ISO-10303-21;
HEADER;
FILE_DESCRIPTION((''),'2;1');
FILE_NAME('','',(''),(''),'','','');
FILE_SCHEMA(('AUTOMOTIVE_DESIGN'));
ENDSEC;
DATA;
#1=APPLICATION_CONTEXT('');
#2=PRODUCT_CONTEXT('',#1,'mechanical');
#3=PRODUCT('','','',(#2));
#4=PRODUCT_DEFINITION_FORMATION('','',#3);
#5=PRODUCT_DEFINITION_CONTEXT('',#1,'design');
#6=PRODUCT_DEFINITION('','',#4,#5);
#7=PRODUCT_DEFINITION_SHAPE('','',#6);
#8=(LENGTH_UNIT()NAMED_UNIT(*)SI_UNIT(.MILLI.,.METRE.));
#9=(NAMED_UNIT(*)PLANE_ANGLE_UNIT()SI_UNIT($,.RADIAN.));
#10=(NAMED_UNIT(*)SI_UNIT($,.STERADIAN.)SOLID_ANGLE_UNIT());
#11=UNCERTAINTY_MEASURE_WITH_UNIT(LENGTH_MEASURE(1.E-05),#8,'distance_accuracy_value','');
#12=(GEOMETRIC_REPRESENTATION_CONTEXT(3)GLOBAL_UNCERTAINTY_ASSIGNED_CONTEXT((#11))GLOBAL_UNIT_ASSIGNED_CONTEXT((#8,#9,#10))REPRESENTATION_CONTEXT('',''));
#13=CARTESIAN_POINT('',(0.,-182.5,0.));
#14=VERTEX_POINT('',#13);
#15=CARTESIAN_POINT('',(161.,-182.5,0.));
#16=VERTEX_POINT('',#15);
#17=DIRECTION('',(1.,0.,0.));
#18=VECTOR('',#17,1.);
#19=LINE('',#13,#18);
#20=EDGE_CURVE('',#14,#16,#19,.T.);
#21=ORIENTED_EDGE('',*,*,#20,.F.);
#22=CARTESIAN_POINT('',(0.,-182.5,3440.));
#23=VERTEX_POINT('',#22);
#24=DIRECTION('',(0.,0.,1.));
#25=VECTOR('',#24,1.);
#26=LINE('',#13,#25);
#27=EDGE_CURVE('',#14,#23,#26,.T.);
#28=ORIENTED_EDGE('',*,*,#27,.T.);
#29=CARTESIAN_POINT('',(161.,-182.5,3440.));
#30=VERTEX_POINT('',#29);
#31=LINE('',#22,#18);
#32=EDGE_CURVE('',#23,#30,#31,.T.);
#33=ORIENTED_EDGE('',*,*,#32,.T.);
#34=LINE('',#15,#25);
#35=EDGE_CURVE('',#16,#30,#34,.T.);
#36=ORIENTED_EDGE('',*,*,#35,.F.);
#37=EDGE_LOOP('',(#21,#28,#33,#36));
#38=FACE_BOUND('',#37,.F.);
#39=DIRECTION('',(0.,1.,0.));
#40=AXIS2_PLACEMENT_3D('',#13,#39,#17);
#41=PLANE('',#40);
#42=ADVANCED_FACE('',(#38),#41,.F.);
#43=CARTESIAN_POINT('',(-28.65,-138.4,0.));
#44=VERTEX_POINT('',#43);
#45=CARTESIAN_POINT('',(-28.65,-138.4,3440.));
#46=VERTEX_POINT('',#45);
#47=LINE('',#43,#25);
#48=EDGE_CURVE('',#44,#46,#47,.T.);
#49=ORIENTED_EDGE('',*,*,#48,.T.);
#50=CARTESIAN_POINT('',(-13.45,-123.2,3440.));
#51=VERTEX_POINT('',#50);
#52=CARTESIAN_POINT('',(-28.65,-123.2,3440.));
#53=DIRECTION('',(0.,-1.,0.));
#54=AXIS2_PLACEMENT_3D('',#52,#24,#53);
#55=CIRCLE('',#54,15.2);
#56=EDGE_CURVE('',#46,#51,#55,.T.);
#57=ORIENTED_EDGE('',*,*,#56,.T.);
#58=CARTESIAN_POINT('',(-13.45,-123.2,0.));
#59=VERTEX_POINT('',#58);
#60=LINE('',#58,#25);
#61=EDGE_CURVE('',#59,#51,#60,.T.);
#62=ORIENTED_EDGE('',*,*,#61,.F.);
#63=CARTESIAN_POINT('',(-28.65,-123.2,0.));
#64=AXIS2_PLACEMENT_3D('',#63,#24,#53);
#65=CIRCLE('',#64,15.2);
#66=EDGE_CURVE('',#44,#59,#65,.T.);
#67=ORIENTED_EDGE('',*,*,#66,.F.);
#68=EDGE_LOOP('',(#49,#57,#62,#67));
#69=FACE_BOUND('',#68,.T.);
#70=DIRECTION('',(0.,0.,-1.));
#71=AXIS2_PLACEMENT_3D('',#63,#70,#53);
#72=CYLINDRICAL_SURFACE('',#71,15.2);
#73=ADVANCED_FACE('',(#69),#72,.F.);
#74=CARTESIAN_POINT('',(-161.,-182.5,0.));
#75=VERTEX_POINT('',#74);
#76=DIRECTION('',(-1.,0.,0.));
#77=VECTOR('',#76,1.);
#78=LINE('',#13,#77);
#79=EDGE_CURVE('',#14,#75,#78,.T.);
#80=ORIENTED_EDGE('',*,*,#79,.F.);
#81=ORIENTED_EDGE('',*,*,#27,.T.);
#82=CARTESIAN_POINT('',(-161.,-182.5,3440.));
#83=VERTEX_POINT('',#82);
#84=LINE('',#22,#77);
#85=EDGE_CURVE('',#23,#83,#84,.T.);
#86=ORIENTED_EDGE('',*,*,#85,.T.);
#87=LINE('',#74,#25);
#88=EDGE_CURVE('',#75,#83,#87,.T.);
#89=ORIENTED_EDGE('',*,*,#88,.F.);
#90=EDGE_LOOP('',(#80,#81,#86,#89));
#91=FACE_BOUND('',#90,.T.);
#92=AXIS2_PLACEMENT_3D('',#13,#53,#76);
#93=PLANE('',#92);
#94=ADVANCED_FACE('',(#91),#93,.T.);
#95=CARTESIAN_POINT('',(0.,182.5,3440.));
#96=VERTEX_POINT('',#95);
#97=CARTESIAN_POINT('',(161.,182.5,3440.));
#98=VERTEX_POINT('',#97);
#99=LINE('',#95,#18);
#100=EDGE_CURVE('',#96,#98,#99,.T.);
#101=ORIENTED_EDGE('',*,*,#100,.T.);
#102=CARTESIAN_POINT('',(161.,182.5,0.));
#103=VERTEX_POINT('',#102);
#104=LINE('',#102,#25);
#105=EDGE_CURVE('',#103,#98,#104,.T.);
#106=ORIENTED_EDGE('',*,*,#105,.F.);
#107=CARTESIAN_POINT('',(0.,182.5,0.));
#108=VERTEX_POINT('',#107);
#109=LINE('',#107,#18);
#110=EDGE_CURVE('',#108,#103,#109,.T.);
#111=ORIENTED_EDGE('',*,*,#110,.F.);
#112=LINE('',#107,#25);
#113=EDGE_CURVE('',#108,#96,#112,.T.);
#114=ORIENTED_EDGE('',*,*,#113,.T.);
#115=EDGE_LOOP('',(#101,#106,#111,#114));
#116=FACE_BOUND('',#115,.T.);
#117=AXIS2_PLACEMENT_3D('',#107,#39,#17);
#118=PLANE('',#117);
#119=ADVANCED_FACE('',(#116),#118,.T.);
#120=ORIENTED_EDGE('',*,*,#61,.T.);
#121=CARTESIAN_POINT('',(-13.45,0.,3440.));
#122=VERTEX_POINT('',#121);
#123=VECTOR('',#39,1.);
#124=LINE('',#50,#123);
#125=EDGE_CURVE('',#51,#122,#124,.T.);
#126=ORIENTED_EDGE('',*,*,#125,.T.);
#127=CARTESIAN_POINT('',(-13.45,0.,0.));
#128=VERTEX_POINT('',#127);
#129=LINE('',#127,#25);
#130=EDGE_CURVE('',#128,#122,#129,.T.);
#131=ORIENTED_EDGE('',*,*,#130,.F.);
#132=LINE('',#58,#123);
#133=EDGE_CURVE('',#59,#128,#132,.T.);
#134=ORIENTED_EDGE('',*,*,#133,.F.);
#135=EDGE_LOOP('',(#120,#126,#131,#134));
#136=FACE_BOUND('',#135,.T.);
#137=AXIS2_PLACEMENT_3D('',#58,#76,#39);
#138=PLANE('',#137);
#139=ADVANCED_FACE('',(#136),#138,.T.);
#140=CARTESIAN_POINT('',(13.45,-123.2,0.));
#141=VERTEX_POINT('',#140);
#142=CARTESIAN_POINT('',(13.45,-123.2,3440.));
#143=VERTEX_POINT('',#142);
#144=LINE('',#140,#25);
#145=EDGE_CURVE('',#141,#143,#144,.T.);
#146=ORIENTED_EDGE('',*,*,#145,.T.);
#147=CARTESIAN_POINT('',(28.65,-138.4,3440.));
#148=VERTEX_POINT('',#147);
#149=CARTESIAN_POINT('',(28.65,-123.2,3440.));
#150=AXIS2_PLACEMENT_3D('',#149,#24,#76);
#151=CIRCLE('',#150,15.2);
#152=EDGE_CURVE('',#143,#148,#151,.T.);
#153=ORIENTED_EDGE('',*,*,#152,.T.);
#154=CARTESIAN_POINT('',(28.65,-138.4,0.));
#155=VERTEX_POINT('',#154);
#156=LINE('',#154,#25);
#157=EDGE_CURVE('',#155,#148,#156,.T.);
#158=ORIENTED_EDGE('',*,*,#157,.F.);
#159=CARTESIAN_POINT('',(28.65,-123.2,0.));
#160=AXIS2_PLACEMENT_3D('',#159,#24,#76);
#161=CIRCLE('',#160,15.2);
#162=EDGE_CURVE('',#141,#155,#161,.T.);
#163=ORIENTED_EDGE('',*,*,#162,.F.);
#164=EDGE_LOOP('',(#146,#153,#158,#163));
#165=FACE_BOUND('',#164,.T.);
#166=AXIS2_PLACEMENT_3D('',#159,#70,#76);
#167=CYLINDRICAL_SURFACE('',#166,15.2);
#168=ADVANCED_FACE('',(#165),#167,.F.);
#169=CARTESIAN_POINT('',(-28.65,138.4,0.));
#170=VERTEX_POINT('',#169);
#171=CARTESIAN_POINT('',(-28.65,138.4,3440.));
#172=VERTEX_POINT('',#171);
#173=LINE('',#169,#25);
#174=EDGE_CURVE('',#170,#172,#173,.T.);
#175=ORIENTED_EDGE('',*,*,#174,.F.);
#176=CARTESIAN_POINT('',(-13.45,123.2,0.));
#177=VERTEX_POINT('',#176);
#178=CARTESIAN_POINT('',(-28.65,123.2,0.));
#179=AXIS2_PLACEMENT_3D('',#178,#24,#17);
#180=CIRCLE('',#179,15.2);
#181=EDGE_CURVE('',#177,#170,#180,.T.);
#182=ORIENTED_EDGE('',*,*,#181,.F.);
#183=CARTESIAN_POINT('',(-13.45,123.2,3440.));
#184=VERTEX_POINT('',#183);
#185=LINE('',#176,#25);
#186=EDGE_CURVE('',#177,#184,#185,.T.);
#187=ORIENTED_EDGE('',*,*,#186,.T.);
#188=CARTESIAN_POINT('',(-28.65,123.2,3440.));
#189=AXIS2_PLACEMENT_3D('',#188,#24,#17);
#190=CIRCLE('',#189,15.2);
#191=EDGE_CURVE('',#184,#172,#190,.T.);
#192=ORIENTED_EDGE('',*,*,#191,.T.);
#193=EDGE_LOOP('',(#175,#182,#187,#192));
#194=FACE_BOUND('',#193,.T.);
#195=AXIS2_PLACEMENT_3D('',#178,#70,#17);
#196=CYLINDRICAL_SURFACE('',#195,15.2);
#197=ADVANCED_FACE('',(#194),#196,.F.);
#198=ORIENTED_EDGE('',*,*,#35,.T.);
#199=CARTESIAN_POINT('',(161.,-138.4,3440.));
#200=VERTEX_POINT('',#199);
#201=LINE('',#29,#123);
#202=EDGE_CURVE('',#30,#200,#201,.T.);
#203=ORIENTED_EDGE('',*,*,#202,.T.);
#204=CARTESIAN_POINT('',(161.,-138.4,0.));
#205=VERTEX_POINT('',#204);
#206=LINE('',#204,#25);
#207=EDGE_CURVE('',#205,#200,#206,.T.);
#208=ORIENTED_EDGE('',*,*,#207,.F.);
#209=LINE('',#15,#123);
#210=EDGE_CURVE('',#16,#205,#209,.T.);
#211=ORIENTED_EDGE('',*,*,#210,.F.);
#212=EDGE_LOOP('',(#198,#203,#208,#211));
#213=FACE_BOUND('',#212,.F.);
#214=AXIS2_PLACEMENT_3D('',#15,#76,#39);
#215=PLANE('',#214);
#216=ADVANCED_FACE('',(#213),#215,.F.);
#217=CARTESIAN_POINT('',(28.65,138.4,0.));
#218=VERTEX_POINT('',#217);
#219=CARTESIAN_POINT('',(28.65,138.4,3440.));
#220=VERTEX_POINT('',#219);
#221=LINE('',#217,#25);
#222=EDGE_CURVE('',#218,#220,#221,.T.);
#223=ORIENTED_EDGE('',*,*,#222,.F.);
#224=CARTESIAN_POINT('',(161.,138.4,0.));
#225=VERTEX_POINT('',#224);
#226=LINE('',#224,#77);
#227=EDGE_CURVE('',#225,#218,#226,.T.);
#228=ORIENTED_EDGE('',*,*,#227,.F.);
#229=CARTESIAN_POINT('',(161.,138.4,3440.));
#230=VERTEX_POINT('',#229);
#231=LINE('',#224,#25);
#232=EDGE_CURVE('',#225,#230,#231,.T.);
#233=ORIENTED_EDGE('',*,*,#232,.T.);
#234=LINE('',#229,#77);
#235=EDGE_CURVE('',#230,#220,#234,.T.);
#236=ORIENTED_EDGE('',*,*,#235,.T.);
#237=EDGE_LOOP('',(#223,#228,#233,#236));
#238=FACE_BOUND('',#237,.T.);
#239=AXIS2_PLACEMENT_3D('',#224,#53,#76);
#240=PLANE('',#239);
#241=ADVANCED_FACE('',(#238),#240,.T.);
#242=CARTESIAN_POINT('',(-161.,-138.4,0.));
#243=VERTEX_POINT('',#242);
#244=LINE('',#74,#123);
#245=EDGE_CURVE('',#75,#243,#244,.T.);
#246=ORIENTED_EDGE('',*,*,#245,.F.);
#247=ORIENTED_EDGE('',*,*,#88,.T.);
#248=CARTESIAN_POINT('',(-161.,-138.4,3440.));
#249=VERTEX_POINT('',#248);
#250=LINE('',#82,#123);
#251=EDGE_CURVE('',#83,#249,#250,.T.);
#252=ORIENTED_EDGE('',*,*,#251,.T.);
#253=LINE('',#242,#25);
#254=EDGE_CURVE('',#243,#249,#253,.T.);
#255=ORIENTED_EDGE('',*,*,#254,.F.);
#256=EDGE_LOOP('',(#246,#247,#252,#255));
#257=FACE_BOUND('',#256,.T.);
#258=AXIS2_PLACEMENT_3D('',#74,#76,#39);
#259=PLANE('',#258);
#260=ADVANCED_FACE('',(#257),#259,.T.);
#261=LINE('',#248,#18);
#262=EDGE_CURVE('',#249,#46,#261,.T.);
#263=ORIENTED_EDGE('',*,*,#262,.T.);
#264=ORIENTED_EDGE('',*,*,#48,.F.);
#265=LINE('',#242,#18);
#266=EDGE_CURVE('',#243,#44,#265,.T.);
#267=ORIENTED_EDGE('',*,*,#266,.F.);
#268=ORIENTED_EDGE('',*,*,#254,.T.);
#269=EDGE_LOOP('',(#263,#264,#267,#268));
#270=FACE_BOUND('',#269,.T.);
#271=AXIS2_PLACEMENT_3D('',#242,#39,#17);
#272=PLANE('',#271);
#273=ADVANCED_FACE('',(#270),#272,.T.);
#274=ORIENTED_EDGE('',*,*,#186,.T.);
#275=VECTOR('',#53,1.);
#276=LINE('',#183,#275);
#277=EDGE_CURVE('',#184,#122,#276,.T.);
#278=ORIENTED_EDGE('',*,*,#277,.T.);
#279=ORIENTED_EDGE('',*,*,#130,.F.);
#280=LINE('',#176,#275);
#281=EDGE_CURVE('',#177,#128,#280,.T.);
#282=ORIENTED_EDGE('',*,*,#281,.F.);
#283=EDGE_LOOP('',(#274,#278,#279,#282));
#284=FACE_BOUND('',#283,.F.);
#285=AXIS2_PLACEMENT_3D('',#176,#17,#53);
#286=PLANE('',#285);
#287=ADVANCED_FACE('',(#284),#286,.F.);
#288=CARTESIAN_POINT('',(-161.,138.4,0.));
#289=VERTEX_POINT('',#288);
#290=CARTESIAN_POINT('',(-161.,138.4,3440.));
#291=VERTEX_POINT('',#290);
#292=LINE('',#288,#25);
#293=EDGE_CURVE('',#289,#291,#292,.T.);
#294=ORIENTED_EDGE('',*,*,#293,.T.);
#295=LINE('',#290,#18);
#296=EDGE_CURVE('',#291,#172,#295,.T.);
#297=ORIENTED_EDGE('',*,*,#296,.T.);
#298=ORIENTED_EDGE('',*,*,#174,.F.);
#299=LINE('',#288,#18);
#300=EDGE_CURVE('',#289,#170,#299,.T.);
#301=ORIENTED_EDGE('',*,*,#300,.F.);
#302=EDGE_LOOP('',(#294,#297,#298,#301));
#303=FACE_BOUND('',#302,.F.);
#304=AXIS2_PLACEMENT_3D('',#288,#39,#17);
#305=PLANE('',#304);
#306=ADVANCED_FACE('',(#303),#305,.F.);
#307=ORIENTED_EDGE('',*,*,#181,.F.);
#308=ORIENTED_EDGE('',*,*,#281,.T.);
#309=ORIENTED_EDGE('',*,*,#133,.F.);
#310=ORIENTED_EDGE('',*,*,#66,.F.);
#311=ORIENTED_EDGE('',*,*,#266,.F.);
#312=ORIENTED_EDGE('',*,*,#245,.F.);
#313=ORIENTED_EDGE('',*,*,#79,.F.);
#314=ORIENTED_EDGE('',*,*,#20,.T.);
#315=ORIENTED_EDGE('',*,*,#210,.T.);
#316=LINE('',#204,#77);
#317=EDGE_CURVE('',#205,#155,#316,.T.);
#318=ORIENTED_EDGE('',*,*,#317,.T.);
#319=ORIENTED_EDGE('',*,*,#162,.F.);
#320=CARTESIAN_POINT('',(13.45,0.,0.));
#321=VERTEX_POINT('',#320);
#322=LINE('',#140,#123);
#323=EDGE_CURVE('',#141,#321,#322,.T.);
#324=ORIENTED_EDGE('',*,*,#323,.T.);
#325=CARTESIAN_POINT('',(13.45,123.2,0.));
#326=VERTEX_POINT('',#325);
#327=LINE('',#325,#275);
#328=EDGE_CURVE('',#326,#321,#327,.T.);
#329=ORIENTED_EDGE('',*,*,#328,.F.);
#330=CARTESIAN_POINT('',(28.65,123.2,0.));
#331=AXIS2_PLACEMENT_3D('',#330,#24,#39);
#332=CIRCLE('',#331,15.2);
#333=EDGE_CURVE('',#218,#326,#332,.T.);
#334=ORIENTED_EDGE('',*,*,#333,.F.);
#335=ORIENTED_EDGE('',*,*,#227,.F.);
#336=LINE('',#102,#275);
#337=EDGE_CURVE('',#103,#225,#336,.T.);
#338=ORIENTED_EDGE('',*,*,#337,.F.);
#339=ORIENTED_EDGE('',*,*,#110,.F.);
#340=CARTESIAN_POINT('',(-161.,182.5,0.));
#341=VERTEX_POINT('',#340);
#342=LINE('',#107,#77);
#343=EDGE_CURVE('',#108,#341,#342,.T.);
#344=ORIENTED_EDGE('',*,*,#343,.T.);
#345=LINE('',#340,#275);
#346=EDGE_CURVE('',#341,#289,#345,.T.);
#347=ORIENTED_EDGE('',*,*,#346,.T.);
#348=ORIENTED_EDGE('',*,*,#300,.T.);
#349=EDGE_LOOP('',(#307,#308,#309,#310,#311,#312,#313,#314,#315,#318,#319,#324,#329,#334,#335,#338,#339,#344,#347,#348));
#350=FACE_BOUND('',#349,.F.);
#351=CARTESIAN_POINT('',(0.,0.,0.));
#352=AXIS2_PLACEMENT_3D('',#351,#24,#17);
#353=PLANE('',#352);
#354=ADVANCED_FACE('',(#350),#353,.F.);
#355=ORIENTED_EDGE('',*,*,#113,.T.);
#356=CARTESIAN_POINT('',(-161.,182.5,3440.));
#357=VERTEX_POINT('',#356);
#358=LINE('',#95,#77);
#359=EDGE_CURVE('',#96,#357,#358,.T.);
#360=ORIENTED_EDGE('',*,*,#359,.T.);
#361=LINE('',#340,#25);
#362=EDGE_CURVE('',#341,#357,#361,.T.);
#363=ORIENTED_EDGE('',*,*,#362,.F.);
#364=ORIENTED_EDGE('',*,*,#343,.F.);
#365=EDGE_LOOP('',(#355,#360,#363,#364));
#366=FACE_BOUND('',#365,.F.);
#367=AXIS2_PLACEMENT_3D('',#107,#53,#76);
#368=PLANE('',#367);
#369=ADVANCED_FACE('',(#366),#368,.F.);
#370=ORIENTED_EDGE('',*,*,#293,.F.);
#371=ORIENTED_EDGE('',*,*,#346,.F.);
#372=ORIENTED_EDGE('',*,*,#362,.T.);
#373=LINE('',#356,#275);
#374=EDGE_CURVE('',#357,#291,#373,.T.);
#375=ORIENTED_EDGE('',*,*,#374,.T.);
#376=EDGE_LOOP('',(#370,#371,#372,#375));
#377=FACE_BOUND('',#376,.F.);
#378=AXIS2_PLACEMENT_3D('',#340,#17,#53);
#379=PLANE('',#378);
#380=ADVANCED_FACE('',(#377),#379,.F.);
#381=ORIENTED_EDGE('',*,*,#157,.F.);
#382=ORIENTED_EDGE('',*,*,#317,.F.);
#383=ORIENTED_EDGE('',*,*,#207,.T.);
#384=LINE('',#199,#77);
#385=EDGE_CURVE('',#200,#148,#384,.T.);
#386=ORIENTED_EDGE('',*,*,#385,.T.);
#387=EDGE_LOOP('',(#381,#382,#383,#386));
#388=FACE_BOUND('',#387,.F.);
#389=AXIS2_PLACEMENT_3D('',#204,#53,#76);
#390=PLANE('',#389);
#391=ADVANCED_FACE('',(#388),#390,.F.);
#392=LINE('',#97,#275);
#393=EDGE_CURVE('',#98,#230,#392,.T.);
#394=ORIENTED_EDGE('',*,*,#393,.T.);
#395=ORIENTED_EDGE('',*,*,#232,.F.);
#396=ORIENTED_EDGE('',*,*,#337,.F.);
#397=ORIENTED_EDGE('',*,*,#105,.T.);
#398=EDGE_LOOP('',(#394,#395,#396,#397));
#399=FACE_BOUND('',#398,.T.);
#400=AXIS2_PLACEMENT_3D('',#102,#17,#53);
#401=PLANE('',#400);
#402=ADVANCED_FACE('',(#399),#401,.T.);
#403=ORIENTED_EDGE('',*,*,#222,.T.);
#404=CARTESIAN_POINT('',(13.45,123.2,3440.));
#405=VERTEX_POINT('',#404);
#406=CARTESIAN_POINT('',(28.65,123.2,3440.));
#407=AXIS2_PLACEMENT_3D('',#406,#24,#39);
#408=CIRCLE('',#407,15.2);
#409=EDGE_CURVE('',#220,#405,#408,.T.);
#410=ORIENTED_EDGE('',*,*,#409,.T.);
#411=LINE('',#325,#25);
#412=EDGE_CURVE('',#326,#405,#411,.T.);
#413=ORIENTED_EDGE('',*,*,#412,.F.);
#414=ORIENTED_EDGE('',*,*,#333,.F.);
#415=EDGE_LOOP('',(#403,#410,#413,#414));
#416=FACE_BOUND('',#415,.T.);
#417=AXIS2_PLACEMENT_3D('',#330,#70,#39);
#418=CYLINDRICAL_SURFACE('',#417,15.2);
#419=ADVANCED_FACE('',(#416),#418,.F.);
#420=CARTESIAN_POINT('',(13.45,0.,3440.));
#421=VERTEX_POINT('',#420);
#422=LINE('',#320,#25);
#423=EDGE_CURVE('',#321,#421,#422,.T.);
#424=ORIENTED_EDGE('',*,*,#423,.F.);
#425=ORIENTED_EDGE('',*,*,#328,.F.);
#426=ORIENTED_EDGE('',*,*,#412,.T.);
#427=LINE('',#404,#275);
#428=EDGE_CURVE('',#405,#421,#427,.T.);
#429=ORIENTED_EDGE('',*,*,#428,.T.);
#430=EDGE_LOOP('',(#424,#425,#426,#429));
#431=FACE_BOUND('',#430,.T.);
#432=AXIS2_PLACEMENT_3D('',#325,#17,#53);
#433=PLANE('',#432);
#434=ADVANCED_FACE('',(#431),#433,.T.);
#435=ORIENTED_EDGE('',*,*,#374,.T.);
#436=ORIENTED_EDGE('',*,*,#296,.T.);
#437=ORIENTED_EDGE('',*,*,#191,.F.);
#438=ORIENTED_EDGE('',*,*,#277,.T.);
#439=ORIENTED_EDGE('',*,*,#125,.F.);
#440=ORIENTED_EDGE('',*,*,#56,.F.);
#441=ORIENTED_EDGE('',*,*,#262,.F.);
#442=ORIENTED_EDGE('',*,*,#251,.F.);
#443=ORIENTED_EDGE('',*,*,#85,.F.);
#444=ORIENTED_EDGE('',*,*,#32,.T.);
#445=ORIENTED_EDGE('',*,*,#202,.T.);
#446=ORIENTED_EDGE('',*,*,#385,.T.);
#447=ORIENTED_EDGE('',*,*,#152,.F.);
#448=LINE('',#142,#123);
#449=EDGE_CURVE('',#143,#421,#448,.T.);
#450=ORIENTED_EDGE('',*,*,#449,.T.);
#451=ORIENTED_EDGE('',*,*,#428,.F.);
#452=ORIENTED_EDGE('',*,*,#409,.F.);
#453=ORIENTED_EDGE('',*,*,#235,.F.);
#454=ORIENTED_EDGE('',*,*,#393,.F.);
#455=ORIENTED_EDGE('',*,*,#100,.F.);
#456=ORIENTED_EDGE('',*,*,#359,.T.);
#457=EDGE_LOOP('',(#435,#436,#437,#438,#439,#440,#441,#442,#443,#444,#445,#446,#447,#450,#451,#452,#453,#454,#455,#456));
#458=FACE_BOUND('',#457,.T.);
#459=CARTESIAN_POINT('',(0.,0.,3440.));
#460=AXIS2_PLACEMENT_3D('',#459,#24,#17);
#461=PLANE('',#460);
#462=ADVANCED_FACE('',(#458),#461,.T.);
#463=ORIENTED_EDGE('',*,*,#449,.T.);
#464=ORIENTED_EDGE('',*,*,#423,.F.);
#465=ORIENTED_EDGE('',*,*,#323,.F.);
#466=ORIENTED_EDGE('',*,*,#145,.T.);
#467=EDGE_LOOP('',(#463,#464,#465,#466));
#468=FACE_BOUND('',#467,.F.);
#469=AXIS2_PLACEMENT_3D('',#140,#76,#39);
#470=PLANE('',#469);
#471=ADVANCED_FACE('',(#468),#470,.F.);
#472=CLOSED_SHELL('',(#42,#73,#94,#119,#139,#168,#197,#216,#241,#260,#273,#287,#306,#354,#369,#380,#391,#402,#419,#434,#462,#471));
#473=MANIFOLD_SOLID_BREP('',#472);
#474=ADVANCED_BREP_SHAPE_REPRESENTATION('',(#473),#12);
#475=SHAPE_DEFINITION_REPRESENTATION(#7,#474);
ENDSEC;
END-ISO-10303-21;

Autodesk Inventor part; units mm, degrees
ref_plane "YZ Plane" through (0, 0, 0) normal (1, 0, 0) x (0, 1, 0)
ref_plane "Start plane" through (0, 0, 0) normal (0, 0, 1) x (1, 0, 0)
ref_plane "End plane" through (0, 0, 3440) normal (0, 0, 1) x (1, 0, 0)
sketch "Sketch" plane through (0, 0, 0) normal (0, 0, 1) x (1, 0, 0)
  line L0 (-161, -182.5) -> (-161, -138.4)
  line L1 (-161, -138.4) -> (-28.65, -138.4)
  line L2 (-13.45, -123.2) -> (-13.45, 0)
  line L3 (-13.45, 0) -> (0, 0) construction
  line L4 (0, 0) -> (0, -182.5) construction
  line L5 (0, -182.5) -> (-161, -182.5)
  line L6 (-60, 0) -> (80, 0) construction
  line L7 (0, -60) -> (0, 80) construction
  line L8 (161, -182.5) -> (161, -138.4)
  line L9 (161, -138.4) -> (28.65, -138.4)
  line L10 (13.45, -123.2) -> (13.45, 0)
  line L11 (13.45, 0) -> (0, 0) construction
  line L12 (0, -182.5) -> (161, -182.5)
  line L13 (-161, 182.5) -> (-161, 138.4)
  line L14 (-161, 138.4) -> (-28.65, 138.4)
  line L15 (-13.45, 123.2) -> (-13.45, 0)
  line L16 (0, 182.5) -> (-161, 182.5)
  line L17 (161, 182.5) -> (161, 138.4)
  line L18 (161, 138.4) -> (28.65, 138.4)
  line L19 (0, 182.5) -> (161, 182.5)
  line L20 (13.45, 123.2) -> (13.45, 0)
  arc A0 (-13.45, 123.2) -> (-28.65, 138.4) centre (-28.65, 123.2) ccw
  arc A1 (28.65, 138.4) -> (13.45, 123.2) centre (28.65, 123.2) ccw
  arc A2 (13.45, -123.2) -> (28.65, -138.4) centre (28.65, -123.2) ccw
  arc A3 (-28.65, -138.4) -> (-13.45, -123.2) centre (-28.65, -123.2) ccw
  line L21 (0, 108) -> (0, -88) construction
  line L22 (-88, 0) -> (108, 0) construction
  point P0 (-13.45, -138.4)
  point P1 (13.45, -138.4)
  point P2 (-13.45, 138.4)
  point P3 (13.45, 138.4)
  dimension "d1" = 182.5
  dimension "d2" = 44.1
  dimension "d3" = 161
  dimension "d4" = 13.45
  dimension "d10" = 15.2
extrude "Body" add sketch "Sketch" along normal up to surface (3440 mm away) from surface at 0
sketch "Sketch4" plane through (0, 0, 0) normal (0, 0, 1) x (1, 0, 0)
  line L0 (0, 0) -> (10, 0)
ref_plane "Work Plane3" through (0, 0, 0) normal (0, -1, 0) x (1, 0, 0)
sketch "Sketch5" plane through (0, 0, 0) normal (0, -1, 0) x (1, 0, 0)
  line L0 (-2, 0) -> (12, 0) projected
  line L1 (-2, 3440) -> (12, 3440) projected
  dimension "d14" = 3440
equation "\"d1\" = 0.5 * G_H"
equation "\"d2\" = G_T1"
equation "\"d3\" = 0.5 * G_W"
equation "\"d4\" = 0.5 * G_T"
equation "\"d10\" = G_IR"
equation "\"d5\" = G_L"
equation "\"G_W\" = 322"
equation "\"G_H\" = 365"
equation "\"G_T\" = 26.9"
equation "\"G_T1\" = 44.1"
equation "\"G_IR\" = 15.2"
equation "\"G_L\" = d14"
equation "\"G_OFFSET_START\" = 0"
equation "\"G_OFFSET_END\" = 0"
properties part number "AS 3679 - 310 UC - 283 - 3440" material "Steel, Mild"
